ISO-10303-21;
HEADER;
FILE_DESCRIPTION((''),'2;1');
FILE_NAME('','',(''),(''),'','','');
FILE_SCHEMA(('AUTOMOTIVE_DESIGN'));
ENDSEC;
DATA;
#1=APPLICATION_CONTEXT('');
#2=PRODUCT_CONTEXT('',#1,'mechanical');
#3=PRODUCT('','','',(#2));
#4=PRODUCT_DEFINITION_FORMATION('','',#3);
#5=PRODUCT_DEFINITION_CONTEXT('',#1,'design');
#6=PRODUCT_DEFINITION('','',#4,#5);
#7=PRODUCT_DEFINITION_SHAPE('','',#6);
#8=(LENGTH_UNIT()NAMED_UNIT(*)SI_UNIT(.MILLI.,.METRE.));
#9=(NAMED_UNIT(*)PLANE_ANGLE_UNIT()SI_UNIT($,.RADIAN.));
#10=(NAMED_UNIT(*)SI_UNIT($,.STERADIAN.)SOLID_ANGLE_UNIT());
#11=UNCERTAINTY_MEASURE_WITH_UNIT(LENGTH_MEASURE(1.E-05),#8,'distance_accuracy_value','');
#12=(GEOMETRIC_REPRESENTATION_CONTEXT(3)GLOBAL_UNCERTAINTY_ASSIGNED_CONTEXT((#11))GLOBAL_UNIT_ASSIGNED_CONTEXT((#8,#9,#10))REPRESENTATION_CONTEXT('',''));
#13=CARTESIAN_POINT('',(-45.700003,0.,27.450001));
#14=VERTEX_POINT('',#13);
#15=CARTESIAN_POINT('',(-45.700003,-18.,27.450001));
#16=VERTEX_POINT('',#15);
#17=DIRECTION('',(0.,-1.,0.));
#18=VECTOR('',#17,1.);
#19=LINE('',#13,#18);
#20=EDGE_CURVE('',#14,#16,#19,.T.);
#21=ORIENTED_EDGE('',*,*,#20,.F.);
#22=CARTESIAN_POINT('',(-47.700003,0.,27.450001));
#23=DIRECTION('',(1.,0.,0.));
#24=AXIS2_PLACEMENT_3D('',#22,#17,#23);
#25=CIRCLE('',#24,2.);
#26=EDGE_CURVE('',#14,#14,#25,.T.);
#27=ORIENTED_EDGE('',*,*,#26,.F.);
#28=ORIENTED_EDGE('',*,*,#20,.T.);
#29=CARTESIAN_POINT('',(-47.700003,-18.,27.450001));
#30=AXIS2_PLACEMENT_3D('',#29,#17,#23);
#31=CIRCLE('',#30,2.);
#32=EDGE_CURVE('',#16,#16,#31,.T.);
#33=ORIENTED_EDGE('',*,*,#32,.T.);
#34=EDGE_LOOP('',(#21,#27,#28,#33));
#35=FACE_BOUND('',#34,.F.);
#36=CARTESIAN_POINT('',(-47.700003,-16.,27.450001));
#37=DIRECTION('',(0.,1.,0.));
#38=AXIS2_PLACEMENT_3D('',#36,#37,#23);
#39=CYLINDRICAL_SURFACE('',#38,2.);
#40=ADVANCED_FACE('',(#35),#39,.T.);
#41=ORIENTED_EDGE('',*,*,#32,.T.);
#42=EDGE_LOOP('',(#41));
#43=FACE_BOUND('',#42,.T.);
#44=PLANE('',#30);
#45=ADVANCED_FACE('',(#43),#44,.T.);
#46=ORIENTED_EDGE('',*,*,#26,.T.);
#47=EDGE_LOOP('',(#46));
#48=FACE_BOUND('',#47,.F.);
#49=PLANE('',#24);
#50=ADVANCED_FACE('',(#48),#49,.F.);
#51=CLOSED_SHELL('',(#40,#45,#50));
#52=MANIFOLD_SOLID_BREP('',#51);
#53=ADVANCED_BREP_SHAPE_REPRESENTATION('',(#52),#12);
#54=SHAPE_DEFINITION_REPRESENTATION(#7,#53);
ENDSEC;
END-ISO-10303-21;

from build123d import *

# Parameters (mm, degrees)
F0_R     = 2
F1_DEPTH = 63
F2_DEPTH = 50
F3_DEPTH = 15
F4_DEPTH = 10
F5_DEPTH = 1
F6_DEPTH = 1
F7_DEPTH = 5
F8_DEPTH = 3


with BuildPart() as f1:
    # F0 (on Front) → F1 (new body)
    with BuildSketch(Plane.XZ):
        with Locations((-47.7000027895, 27.4500008672)):
            Circle(F0_R)
    extrude(amount=F1_DEPTH)

    # F2 (cut): a face of the model
    f2_faces = [f1.faces().sort_by_distance(p)[0] for p in [
        (-47.7000027895, -63, 27.4500008672),
    ]]
    extrude(f2_faces, amount=-F2_DEPTH, mode=Mode.SUBTRACT)

    # F3 (add): a face of the model
    f3_faces = [f1.faces().sort_by_distance(p)[0] for p in [
        (-47.7000027895, -13, 27.4500008672),
    ]]
    extrude(f3_faces, amount=F3_DEPTH)

    # F4 (cut): a face of the model
    f4_faces = [f1.faces().sort_by_distance(p)[0] for p in [
        (-47.7000027895, -28, 27.4500008672),
    ]]
    extrude(f4_faces, amount=-F4_DEPTH, mode=Mode.SUBTRACT)

    # F5 (cut): a face of the model
    f5_faces = [f1.faces().sort_by_distance(p)[0] for p in [
        (-47.7000027895, -18, 27.4500008672),
    ]]
    extrude(f5_faces, amount=-F5_DEPTH, mode=Mode.SUBTRACT)

    # F6 (cut): a face of the model
    f6_faces = [f1.faces().sort_by_distance(p)[0] for p in [
        (-47.7000027895, -17, 27.4500008672),
    ]]
    extrude(f6_faces, amount=-F6_DEPTH, mode=Mode.SUBTRACT)

    # F7 (add): a face of the model
    f7_faces = [f1.faces().sort_by_distance(p)[0] for p in [
        (-47.7000027895, -16, 27.4500008672),
    ]]
    extrude(f7_faces, amount=F7_DEPTH)

    # F8 (cut): a face of the model
    f8_faces = [f1.faces().sort_by_distance(p)[0] for p in [
        (-47.7000027895, -21, 27.4500008672),
    ]]
    extrude(f8_faces, amount=-F8_DEPTH, mode=Mode.SUBTRACT)


solid = f1.part
